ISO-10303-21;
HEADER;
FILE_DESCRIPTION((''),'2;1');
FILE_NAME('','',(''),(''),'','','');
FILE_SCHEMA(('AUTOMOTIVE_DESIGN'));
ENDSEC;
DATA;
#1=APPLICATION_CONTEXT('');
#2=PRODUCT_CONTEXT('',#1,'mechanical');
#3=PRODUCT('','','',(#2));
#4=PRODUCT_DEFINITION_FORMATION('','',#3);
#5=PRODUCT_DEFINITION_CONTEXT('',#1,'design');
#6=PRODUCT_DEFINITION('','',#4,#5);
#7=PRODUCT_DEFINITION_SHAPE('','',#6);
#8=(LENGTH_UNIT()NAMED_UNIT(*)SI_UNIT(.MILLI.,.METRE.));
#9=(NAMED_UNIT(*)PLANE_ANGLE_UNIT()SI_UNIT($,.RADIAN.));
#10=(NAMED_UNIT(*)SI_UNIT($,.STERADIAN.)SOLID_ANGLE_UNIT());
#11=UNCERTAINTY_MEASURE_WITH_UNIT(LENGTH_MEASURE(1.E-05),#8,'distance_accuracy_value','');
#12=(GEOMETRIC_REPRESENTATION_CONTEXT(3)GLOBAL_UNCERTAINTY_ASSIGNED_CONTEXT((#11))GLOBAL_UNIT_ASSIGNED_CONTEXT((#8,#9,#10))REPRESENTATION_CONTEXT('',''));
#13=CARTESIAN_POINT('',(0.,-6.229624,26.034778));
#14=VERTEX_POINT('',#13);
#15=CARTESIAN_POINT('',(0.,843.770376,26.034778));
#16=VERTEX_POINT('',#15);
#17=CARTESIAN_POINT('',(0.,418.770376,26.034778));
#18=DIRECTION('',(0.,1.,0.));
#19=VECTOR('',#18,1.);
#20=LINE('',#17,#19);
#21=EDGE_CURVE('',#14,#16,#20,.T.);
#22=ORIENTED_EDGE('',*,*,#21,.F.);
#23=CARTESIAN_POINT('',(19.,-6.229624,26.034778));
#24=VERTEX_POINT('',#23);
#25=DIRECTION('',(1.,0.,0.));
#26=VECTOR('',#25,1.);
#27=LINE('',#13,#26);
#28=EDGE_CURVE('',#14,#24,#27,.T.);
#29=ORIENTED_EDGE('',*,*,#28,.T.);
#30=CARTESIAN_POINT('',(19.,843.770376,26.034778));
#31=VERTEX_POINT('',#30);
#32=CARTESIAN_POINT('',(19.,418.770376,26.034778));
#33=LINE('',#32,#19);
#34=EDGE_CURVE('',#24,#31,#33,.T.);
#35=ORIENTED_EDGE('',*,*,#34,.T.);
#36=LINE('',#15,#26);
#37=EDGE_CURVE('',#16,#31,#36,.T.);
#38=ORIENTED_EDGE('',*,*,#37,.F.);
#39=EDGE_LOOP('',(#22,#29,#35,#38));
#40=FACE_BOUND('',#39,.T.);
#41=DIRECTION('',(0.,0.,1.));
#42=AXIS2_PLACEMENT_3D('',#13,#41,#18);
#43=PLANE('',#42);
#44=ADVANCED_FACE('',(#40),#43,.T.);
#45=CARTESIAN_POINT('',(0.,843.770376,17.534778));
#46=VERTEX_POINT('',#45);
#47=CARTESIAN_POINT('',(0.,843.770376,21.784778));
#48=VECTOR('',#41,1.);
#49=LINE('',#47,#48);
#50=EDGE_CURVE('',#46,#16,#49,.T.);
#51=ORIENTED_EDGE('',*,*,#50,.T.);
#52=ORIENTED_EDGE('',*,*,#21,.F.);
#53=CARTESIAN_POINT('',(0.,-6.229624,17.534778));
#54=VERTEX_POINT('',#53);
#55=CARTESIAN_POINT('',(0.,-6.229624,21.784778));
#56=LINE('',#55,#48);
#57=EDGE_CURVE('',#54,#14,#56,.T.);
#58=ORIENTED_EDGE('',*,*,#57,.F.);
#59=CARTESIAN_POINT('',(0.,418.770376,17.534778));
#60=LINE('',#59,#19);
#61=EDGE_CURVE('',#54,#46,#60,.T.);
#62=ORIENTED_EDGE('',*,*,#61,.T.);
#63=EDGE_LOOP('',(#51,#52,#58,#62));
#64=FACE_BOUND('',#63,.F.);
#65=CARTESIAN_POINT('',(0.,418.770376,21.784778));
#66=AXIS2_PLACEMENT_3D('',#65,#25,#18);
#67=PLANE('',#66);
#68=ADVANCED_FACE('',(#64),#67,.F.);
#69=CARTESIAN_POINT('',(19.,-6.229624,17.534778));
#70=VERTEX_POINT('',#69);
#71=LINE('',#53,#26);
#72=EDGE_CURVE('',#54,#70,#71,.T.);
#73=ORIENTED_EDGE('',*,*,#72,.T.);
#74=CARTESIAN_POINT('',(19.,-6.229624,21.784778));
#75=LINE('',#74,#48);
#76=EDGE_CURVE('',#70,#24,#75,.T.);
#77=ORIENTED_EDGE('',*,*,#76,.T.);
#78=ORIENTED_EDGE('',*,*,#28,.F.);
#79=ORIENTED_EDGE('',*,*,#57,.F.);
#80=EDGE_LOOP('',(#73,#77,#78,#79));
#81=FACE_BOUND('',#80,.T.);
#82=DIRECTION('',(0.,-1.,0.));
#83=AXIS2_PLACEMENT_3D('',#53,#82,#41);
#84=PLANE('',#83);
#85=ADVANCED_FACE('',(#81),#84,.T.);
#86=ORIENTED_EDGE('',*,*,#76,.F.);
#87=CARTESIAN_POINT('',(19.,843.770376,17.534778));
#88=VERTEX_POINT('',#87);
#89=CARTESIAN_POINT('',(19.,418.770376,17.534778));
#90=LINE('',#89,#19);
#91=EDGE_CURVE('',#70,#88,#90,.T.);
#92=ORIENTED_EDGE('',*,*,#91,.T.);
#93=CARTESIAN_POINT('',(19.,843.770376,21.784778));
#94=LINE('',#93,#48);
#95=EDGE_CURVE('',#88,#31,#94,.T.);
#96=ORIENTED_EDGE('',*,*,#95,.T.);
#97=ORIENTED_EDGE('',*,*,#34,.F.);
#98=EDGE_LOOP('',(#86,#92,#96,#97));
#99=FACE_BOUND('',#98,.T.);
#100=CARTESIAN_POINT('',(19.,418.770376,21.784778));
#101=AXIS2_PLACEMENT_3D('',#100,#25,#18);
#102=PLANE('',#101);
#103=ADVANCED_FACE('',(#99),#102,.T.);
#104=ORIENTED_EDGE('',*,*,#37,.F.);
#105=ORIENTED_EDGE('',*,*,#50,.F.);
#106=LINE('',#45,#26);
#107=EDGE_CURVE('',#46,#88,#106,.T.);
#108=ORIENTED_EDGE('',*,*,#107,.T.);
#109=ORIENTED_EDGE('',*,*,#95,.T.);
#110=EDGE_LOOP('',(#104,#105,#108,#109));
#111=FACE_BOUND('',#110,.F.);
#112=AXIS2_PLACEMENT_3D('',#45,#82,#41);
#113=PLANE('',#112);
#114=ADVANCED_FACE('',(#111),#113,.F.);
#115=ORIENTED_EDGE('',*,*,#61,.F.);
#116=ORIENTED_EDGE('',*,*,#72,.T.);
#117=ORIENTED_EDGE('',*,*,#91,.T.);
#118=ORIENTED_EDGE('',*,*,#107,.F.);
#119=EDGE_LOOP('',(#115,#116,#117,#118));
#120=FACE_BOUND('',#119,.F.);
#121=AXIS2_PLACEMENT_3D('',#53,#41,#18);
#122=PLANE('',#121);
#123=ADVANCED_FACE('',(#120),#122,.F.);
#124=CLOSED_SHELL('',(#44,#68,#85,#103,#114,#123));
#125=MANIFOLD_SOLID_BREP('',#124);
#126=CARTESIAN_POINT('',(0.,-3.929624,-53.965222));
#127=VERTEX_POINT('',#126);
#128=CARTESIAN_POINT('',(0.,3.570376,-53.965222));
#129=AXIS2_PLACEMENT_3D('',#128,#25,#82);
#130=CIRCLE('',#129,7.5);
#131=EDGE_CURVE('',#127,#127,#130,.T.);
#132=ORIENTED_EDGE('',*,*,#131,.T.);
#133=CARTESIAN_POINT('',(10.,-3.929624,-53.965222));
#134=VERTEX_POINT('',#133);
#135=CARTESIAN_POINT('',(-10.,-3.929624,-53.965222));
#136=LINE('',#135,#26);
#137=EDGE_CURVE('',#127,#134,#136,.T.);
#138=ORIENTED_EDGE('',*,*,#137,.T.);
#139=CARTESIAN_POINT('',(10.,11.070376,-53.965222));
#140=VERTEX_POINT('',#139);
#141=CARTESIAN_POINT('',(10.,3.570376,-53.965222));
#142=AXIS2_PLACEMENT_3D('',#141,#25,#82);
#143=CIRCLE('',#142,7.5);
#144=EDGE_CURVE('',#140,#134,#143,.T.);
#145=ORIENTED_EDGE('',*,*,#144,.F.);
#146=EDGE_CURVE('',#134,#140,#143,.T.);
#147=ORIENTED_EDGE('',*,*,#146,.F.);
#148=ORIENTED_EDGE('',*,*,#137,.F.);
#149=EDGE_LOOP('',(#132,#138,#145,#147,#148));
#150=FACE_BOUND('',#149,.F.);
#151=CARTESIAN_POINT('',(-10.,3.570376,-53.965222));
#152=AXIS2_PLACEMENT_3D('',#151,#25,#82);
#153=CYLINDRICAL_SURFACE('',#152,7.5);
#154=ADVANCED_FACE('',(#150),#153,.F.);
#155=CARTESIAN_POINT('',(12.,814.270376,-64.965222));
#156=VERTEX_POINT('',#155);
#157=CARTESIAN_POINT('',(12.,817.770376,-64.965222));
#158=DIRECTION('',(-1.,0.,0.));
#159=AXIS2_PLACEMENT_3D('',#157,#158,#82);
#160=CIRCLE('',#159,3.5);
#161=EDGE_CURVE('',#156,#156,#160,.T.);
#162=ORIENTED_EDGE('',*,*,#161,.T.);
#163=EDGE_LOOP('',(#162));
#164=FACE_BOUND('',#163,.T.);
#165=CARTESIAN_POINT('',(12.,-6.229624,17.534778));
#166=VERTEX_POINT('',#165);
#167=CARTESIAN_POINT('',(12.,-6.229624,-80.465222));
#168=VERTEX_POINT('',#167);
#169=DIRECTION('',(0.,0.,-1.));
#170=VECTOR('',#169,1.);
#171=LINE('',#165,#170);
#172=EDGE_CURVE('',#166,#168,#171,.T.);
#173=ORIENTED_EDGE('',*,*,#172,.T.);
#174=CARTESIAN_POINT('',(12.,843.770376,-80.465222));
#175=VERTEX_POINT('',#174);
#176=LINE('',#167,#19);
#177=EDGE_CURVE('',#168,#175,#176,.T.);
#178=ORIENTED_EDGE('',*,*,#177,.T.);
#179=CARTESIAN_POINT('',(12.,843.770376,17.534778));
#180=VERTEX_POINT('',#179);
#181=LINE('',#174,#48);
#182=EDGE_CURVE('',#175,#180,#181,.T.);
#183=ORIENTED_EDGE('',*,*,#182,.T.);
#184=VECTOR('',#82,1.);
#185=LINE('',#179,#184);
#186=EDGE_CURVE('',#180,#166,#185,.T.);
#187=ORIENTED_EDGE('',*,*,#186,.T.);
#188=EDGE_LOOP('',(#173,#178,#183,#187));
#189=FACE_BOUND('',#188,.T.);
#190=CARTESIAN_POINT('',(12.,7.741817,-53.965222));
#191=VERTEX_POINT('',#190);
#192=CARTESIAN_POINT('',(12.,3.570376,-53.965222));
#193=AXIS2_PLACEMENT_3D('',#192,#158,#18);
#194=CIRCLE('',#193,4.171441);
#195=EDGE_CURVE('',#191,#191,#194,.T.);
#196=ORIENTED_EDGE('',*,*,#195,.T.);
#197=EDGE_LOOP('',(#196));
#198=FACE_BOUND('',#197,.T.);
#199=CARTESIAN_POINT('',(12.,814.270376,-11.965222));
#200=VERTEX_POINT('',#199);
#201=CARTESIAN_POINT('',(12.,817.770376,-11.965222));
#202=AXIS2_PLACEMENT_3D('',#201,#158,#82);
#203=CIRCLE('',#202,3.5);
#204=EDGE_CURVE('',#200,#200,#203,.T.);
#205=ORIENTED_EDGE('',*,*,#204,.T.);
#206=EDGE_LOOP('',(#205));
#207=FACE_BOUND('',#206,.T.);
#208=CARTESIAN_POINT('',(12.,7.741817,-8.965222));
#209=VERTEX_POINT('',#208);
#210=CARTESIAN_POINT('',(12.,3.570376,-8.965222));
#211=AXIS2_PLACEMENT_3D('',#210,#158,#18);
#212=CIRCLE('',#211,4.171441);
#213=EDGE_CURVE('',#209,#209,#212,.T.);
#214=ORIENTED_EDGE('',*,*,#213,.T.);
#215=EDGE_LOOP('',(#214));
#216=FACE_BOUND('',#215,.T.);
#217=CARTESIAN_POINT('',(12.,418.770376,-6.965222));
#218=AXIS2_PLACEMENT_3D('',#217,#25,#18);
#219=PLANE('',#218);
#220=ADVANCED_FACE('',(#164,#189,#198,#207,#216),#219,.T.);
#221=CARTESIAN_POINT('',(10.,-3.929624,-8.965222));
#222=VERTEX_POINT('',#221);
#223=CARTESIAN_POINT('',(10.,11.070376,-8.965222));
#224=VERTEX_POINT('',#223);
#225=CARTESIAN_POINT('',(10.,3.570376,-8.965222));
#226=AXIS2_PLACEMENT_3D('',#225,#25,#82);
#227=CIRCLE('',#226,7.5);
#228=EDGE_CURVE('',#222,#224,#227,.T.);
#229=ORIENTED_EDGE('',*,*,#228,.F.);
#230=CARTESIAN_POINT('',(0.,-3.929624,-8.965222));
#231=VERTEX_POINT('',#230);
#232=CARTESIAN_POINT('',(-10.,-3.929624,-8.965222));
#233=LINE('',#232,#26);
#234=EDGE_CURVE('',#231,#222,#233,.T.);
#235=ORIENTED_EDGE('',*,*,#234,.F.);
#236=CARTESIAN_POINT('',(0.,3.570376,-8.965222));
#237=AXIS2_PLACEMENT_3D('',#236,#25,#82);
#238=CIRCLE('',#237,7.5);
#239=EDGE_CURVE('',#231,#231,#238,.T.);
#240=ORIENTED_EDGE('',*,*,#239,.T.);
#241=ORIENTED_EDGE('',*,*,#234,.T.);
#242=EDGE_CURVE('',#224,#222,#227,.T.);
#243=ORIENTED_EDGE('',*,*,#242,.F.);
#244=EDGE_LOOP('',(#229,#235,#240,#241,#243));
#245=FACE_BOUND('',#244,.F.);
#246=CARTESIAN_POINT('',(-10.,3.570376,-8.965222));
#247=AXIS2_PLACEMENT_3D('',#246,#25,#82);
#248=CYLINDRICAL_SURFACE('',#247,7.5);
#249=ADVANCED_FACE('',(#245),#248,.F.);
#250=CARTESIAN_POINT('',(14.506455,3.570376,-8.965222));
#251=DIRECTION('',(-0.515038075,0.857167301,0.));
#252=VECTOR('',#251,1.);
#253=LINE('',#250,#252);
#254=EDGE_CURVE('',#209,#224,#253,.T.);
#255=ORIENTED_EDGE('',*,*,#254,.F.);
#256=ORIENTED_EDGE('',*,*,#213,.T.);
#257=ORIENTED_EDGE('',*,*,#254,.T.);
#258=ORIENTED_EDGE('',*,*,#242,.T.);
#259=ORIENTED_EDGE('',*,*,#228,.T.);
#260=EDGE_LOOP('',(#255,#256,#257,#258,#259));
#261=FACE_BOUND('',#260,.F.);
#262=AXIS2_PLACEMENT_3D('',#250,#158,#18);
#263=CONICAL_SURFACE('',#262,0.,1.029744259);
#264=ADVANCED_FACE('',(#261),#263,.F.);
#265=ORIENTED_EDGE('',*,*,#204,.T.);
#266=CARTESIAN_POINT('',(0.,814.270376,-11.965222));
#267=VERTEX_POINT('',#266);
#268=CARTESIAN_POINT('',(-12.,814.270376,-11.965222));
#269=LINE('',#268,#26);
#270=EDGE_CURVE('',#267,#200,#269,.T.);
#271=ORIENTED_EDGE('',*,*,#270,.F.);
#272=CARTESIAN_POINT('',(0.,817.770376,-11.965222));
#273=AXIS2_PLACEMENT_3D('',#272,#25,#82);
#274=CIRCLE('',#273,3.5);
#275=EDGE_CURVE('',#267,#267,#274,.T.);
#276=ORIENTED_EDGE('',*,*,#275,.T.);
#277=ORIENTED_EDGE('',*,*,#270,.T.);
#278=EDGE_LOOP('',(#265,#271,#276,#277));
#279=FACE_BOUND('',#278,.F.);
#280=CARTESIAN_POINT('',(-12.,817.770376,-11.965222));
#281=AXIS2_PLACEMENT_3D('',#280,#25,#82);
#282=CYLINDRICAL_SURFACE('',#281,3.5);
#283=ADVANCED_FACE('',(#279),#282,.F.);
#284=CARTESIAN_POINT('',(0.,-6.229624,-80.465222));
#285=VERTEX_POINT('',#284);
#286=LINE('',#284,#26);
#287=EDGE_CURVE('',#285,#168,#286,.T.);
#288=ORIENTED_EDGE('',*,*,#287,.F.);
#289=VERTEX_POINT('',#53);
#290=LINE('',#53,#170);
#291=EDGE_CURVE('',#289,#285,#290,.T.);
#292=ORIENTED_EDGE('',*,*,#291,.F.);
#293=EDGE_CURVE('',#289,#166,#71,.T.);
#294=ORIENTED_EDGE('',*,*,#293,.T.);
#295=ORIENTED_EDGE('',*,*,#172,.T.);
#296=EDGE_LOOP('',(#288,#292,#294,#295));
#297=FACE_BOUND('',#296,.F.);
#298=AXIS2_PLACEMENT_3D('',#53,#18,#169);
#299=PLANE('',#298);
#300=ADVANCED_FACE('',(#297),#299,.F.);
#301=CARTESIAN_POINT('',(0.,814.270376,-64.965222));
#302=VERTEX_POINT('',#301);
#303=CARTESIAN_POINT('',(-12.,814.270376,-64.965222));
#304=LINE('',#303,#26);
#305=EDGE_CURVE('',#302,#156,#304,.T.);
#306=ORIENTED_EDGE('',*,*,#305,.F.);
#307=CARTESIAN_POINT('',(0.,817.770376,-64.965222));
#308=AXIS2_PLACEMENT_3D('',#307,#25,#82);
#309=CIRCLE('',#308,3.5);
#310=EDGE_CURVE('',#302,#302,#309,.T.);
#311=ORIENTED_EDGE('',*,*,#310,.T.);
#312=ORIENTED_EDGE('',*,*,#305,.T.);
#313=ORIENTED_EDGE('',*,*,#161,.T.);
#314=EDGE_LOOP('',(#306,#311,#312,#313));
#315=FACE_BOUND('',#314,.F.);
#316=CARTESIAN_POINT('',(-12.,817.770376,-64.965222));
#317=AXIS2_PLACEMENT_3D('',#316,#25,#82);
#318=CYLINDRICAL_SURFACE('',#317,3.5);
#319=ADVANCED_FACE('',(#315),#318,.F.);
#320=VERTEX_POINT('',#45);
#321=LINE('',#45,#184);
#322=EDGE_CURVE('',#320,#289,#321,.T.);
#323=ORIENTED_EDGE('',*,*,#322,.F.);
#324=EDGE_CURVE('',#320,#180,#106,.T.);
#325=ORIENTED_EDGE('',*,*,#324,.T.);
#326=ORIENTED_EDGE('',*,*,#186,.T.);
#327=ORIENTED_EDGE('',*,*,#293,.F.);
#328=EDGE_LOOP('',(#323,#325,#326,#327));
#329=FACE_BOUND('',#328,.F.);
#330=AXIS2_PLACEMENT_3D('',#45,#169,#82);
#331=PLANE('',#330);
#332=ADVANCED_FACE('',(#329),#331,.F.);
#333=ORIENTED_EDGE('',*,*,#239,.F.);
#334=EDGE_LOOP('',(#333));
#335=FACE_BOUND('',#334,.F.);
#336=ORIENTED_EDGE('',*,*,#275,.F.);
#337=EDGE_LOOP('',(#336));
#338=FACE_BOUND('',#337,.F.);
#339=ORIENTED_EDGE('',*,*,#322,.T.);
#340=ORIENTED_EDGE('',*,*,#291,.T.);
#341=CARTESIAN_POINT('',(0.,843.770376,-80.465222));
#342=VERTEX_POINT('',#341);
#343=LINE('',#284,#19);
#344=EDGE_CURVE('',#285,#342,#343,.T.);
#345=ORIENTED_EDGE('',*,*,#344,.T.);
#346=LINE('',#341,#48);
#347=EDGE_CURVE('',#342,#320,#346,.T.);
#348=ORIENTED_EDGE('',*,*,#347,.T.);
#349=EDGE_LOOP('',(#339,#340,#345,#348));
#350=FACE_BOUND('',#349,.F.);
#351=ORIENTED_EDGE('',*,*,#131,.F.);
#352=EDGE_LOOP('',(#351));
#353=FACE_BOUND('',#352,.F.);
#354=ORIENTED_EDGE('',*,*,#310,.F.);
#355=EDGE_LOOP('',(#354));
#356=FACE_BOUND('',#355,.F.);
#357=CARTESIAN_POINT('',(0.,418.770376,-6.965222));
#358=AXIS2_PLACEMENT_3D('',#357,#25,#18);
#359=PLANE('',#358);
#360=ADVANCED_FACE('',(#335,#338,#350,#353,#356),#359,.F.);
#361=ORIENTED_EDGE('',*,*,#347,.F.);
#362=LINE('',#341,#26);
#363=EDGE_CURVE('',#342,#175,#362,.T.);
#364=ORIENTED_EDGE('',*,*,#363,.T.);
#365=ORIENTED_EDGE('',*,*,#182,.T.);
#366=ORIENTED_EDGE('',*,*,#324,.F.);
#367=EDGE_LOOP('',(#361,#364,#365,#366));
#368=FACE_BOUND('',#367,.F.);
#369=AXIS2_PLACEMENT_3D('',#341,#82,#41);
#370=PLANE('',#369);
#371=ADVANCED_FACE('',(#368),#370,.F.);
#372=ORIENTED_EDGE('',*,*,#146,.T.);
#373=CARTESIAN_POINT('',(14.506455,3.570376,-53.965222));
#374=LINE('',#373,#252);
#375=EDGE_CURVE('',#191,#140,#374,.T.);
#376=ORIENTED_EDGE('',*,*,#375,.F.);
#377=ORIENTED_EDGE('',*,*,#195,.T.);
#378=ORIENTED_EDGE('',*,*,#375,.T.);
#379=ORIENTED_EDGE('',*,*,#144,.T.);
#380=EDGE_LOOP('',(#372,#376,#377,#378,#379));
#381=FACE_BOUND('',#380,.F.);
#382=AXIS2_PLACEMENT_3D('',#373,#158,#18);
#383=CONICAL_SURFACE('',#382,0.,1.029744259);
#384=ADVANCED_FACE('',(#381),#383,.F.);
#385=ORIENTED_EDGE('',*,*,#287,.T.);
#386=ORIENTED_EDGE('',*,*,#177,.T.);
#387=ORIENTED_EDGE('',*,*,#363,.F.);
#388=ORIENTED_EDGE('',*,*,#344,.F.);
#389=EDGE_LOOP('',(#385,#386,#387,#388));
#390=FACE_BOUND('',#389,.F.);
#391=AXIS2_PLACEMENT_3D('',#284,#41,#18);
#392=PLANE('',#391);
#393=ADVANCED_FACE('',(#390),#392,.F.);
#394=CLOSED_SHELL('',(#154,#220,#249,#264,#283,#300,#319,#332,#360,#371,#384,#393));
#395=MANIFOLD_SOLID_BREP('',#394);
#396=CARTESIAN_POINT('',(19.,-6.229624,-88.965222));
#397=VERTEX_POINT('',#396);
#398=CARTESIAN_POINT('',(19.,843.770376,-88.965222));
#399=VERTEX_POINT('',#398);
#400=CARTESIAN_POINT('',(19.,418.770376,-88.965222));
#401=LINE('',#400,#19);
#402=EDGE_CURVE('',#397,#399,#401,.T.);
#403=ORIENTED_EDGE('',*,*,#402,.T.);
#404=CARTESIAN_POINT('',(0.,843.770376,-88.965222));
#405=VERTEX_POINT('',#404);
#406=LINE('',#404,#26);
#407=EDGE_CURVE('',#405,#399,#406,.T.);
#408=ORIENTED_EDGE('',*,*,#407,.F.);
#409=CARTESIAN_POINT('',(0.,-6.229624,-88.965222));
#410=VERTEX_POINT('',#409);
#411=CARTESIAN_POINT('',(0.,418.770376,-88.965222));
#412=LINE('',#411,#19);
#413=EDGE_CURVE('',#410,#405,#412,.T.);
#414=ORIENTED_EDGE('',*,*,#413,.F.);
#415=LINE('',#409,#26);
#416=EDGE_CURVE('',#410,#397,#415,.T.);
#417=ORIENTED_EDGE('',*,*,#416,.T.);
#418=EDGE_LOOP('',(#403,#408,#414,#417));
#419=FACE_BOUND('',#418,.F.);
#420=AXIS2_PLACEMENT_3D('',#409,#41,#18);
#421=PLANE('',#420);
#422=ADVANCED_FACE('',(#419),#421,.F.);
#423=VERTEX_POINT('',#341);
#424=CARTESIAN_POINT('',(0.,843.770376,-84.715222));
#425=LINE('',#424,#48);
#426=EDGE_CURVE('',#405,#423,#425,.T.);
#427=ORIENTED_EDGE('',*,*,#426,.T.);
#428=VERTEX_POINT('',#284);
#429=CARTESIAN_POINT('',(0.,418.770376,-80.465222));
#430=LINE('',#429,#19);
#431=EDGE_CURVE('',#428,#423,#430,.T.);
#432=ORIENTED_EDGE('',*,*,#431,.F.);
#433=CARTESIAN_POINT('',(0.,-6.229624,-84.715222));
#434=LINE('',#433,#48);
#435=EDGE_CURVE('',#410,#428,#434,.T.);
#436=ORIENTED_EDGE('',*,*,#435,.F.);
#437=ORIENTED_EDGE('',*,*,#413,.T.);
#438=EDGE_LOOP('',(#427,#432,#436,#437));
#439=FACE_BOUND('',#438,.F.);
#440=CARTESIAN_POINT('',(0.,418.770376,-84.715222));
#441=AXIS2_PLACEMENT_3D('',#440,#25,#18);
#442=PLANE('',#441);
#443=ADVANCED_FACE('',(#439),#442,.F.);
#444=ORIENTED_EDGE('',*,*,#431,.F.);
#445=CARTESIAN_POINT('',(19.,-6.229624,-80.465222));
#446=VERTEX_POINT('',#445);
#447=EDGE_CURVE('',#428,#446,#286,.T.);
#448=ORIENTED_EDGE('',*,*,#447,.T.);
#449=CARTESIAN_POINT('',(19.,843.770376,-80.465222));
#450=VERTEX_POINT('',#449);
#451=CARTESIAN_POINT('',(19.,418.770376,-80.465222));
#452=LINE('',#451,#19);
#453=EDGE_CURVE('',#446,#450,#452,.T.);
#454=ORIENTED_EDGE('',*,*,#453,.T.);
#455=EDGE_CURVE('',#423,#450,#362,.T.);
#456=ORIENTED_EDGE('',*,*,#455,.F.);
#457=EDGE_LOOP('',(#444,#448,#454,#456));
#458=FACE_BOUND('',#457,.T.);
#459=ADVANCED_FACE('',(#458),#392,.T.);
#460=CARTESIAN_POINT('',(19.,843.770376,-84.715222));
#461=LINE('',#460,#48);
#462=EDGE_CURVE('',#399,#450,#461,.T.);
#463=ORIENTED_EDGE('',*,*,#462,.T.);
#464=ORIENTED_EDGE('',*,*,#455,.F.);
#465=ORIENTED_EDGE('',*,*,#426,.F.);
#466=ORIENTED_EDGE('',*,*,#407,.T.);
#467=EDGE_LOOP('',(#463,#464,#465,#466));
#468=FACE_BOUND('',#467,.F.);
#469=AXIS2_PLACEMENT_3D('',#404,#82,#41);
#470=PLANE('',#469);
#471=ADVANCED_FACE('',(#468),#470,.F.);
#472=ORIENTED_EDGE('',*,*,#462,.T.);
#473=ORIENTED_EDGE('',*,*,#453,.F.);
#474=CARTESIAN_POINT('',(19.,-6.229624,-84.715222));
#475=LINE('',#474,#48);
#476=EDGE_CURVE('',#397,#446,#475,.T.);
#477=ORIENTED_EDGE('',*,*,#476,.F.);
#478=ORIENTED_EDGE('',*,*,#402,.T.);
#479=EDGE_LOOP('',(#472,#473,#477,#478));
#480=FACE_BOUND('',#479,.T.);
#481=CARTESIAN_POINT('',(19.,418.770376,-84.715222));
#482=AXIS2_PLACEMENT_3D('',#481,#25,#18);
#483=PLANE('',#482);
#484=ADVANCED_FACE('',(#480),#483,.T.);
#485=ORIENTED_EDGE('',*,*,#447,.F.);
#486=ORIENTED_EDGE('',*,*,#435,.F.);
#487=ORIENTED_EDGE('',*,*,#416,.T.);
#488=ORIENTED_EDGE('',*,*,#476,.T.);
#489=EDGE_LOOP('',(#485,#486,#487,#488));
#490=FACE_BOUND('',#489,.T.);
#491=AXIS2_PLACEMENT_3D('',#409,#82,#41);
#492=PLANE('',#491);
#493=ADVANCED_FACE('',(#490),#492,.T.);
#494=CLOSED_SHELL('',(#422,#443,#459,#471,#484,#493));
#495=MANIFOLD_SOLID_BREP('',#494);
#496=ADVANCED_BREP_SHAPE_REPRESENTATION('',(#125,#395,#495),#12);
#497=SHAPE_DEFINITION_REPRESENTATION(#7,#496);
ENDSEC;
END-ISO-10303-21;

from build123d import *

# Parameters (mm, degrees)
F0_W     = 850
F0_H     = 8.5
F1_DEPTH = 19
F0_W_2   = 26
F0_H_2   = 33.5
F2_DEPTH = 12
F3_D     = 7
F3_DEPTH = 12
F3_TIP   = 2.1030121666
F4_D     = 15
F4_DEPTH = 10
F4_TIP   = 4.5064546427


with BuildPart() as f1:
    # F0 (on Right) → F1 (new body)
    with BuildSketch(Plane.YZ):
        with Locations((418.7703758478, 21.7847777605)):
            Rectangle(F0_W, F0_H)
    extrude(amount=F1_DEPTH)


with BuildPart() as f1b:
    # F0 (on Right) → F1, piece 2 (new body)
    with BuildSketch(Plane.YZ):
        with Locations((418.7703758478, -84.7152222395)):
            Rectangle(F0_W, F0_H)
    extrude(amount=F1_DEPTH)


with BuildPart() as f2:
    # F0 (on Right) → F2 (new body)
    with BuildSketch(Plane.YZ):
        Polygon((843.7703758478, -31.4652222395), (843.7703758478, 17.5347777605), (-6.2296241522, 17.5347777605), (-6.2296241522, -8.9652222395), (-6.2296241522, -31.4652222395), (817.7703758478, -31.4652222395), align=None)
        Polygon((843.7703758478, -80.4652222395), (843.7703758478, -64.9652222395), (817.7703758478, -64.9652222395), (817.7703758478, -31.4652222395), (-6.2296241522, -31.4652222395), (-6.2296241522, -53.9652222395), (-6.2296241522, -80.4652222395), align=None)
        with Locations((830.7703758478, -48.2152222395)):
            Rectangle(F0_W_2, F0_H_2)
    extrude(amount=F2_DEPTH)

    # F3
    with Locations(Plane(origin=(0, 0, 0), x_dir=(0, 1, 0), z_dir=(-1, 0, 0))):
        with Locations((817.7703758478, 11.9652222395), (817.7703758478, 64.9652222395)):
            Hole(F3_D / 2, depth=F3_DEPTH)
            with Locations((0, 0, -(F3_DEPTH + F3_TIP / 2))):  # 118° drill point
                Cone(0, F3_D / 2, F3_TIP, mode=Mode.SUBTRACT)

    # F4
    with Locations(Plane(origin=(0, 0, 0), x_dir=(0, 1, 0), z_dir=(-1, 0, 0))):
        with Locations((3.5703758478, 53.9652222395), (3.5703758478, 8.9652222395)):
            Hole(F4_D / 2, depth=F4_DEPTH)
            with Locations((0, 0, -(F4_DEPTH + F4_TIP / 2))):  # 118° drill point
                Cone(0, F4_D / 2, F4_TIP, mode=Mode.SUBTRACT)


solid = Compound([f1.part, f1b.part, f2.part])
